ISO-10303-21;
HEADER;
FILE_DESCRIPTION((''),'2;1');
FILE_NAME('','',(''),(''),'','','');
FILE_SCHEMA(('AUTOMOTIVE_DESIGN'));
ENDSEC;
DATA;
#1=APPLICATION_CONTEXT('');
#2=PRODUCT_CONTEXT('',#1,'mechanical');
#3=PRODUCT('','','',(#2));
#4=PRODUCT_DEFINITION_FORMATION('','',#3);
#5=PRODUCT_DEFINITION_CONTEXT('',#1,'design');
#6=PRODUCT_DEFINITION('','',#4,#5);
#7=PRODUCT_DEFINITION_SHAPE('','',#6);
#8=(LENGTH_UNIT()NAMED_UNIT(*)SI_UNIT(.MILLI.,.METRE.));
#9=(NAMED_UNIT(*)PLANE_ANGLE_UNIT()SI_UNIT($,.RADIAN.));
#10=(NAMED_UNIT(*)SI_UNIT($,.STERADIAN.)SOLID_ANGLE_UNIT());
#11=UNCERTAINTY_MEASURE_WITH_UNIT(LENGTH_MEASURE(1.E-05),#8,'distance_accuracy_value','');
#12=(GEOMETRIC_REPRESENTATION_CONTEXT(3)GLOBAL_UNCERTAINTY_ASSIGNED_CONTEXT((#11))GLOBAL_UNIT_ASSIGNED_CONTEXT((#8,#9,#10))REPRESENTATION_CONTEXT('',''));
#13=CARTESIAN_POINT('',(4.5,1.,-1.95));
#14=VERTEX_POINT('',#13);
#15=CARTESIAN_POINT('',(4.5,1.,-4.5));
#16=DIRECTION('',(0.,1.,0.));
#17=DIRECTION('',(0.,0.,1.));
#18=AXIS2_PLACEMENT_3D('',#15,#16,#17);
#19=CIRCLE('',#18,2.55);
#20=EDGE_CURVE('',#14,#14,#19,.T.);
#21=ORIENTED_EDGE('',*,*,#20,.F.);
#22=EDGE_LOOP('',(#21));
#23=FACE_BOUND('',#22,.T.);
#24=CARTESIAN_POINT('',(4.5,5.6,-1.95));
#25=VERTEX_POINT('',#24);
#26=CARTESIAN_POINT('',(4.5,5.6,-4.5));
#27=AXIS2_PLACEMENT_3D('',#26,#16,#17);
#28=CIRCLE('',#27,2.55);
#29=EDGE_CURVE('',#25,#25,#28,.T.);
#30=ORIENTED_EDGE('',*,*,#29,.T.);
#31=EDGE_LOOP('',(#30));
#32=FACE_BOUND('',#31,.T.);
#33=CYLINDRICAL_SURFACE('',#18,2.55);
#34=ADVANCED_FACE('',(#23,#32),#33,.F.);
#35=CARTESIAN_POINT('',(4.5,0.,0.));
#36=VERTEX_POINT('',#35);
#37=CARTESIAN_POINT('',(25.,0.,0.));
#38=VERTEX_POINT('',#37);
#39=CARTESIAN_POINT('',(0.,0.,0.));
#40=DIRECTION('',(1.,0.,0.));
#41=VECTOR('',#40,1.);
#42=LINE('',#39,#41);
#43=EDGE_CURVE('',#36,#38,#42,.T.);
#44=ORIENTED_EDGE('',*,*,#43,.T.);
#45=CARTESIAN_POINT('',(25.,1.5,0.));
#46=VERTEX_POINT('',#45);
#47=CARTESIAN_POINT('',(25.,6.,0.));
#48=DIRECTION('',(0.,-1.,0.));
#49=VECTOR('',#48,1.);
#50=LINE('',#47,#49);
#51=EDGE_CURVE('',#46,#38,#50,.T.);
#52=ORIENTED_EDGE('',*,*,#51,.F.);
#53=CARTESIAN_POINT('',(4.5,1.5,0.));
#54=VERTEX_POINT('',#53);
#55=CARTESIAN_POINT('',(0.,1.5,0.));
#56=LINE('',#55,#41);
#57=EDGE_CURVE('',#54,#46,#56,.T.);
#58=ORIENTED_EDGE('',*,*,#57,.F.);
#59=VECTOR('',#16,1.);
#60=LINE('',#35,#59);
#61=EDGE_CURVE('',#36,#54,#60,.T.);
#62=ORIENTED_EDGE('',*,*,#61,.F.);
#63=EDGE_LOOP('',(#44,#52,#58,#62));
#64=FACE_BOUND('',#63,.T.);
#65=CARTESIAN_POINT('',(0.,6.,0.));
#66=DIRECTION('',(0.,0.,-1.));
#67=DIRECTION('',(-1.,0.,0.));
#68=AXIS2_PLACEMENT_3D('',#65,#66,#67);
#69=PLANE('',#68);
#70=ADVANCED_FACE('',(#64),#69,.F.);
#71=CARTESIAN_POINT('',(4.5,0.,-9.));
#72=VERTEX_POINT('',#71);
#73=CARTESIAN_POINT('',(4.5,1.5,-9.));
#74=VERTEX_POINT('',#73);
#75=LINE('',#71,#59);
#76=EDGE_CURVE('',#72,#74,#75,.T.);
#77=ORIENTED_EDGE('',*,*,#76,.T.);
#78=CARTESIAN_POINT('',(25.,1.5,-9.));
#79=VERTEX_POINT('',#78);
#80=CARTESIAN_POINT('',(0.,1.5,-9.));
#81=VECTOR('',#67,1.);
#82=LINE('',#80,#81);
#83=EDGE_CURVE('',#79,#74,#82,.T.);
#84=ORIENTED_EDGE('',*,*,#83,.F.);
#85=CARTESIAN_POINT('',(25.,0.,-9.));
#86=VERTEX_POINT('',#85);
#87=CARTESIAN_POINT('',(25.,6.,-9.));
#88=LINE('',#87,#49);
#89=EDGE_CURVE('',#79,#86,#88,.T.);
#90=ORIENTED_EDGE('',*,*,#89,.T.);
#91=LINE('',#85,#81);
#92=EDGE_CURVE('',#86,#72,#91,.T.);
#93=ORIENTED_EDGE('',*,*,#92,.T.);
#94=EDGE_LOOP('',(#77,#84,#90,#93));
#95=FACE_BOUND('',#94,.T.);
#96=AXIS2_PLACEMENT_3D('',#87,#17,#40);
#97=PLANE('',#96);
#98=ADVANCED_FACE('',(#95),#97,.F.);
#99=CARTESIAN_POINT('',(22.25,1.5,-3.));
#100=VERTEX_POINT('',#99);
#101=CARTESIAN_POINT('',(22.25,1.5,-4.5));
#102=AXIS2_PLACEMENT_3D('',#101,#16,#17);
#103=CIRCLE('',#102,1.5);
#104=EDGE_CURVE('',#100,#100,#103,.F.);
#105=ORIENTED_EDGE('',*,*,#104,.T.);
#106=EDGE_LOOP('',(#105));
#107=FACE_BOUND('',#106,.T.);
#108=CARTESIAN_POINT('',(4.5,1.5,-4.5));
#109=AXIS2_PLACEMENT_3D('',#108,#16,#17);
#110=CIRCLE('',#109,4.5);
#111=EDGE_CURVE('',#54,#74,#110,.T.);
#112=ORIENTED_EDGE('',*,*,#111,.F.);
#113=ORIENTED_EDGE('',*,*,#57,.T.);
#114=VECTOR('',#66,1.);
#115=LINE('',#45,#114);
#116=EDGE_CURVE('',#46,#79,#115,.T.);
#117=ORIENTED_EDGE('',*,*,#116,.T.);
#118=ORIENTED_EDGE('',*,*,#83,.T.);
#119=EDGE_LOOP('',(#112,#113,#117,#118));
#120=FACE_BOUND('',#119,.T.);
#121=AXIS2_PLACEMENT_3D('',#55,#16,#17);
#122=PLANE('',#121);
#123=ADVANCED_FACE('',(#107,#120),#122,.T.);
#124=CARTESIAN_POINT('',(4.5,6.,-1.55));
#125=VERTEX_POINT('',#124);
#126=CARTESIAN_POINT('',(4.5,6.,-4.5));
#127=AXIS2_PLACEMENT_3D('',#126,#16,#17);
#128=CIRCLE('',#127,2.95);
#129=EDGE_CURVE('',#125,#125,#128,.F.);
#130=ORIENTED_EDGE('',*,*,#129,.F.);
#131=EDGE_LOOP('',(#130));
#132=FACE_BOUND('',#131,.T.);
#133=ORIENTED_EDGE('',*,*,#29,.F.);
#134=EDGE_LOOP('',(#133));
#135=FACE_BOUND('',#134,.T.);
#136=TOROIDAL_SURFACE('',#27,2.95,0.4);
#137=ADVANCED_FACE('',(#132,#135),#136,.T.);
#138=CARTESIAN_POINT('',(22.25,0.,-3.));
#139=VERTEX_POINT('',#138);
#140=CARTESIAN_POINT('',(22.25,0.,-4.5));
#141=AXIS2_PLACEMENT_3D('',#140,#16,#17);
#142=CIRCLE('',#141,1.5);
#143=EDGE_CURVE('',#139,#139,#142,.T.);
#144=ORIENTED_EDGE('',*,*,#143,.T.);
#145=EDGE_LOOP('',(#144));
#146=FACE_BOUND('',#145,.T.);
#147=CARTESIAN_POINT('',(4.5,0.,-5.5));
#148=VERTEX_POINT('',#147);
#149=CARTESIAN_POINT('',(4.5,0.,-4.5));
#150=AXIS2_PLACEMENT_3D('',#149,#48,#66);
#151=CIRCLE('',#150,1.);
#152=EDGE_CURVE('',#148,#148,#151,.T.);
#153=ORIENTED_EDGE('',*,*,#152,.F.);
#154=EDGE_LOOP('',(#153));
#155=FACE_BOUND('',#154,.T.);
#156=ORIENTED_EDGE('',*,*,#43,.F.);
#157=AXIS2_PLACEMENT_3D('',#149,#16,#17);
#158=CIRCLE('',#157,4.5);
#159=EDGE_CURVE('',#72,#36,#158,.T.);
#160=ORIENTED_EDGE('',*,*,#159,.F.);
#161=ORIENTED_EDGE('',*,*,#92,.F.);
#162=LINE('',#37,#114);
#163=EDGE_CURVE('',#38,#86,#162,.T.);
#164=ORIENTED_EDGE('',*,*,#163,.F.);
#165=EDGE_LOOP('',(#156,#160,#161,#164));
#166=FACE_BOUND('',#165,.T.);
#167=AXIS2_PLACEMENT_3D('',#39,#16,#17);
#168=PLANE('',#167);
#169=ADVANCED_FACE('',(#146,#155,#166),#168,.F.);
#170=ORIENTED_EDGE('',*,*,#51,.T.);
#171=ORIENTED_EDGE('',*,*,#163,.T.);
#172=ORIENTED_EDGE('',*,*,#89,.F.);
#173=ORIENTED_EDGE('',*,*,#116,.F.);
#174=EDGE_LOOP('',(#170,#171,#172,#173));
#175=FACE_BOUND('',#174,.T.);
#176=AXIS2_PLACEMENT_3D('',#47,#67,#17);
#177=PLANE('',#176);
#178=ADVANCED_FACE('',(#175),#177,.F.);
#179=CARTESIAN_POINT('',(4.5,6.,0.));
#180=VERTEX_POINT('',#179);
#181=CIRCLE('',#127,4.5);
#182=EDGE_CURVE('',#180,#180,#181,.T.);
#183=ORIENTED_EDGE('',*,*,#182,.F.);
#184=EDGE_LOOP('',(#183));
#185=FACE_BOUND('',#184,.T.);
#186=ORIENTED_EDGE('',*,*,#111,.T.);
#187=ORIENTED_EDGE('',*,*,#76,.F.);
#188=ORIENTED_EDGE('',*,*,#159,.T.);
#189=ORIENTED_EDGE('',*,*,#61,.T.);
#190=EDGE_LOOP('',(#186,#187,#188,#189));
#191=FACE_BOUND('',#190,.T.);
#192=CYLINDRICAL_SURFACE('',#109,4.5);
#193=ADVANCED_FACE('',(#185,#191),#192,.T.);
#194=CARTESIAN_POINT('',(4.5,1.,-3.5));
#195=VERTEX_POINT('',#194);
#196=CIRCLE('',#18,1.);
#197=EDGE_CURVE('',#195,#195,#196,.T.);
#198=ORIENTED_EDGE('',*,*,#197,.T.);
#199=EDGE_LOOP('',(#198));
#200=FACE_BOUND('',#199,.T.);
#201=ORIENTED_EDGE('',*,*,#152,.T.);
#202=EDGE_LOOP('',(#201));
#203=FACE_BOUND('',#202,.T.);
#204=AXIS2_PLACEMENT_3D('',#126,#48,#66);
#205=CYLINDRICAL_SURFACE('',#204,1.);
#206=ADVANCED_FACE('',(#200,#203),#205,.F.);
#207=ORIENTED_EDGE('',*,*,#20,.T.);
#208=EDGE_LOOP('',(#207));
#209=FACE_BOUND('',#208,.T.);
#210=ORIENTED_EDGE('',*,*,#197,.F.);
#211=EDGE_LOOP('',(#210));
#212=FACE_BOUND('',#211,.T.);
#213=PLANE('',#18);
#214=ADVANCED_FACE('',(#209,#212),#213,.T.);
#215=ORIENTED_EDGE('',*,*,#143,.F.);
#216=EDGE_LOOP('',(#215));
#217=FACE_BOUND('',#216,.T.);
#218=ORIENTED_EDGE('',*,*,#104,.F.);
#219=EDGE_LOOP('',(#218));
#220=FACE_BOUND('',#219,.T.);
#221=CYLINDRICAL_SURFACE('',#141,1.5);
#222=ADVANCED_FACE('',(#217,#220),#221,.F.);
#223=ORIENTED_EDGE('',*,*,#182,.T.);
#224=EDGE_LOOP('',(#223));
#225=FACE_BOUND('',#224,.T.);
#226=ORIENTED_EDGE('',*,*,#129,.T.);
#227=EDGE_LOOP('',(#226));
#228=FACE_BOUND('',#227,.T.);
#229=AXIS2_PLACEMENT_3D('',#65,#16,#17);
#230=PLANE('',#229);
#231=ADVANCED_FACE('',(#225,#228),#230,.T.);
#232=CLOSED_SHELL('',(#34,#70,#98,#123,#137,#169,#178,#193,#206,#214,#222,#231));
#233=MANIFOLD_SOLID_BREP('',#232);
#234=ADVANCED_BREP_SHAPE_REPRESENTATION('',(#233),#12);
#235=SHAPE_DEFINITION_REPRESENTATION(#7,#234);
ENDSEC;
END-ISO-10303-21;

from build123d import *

# Parameters (mm, degrees)
SKETCH2_W               = 25
SKETCH2_H               = 9
BOSS_EXTRUDE3_DEPTH     = 6
SKETCH3_R               = 2.55
CUT_EXTRUDE1_DEPTH      = 5
CUT_EXTRUDE2_DEPTH      = 28.239676944
CUT_EXTRUDE2_DEPTH_BACK = 28.239676944
SKETCH4_R               = 1.5
SKETCH5_R               = 1.5
CUT_EXTRUDE3_DEPTH      = 4.5
CUT_EXTRUDE4_DEPTH      = 28.239676944
FILLET2_R               = 0.4
SKETCH8_R               = 1
CUT_EXTRUDE5_DEPTH      = 28.239676944


with BuildPart() as part:
    # Sketch2 → Boss-Extrude3 (new body)
    with BuildSketch(Plane(origin=(0, 0, 0), x_dir=(1, 0, 0), z_dir=(0, 1, 0))):
        with Locations((12.5, 4.5)):
            Rectangle(SKETCH2_W, SKETCH2_H)
    extrude(amount=BOSS_EXTRUDE3_DEPTH)

    # Sketch3 → Cut-Extrude1 (cut)
    with BuildSketch(Plane(origin=(0, 6, 0), x_dir=(1, 0, 0), z_dir=(0, 1, 0))):
        with Locations(Location((4.5, 4.5, 0), (0, 0, 270))):
            Circle(SKETCH3_R)
    extrude(amount=-CUT_EXTRUDE1_DEPTH, mode=Mode.SUBTRACT)

    # Sketch4 → Cut-Extrude2 (cut, two sides: drawn at the far end of the back side and taken through both)
    with BuildSketch(Plane(origin=(0, 6, 0), x_dir=(1, 0, 0), z_dir=(0, 1, 0)).offset(-CUT_EXTRUDE2_DEPTH_BACK)):
        with Locations(Location((22.25, 4.5, 0), (0, 0, 270))):
            Circle(SKETCH4_R)
    extrude(amount=CUT_EXTRUDE2_DEPTH + CUT_EXTRUDE2_DEPTH_BACK, mode=Mode.SUBTRACT)

    # Sketch5 → Cut-Extrude3 (cut)
    with BuildSketch(Plane(origin=(0, 6, 0), x_dir=(1, 0, 0), z_dir=(0, 1, 0))):
        with BuildLine():
            Line((25, 9), (4.5, 9))
            ThreePointArc((4.5, 9), (7.681980515, 7.681980515), (9, 4.5))
            ThreePointArc((9, 4.5), (7.681980515, 1.318019485), (4.5, 0))
            Line((4.5, 0), (25, 0))
            Line((25, 0), (25, 9))
        make_face()
        with Locations(Location((22.25, 4.5, 0), (0, 0, 270))):
            Circle(SKETCH5_R, mode=Mode.SUBTRACT)
    extrude(amount=-CUT_EXTRUDE3_DEPTH, mode=Mode.SUBTRACT)

    # Sketch6 → Cut-Extrude4 (cut, through all)
    with BuildSketch(Plane(origin=(0, 6, 0), x_dir=(1, 0, 0), z_dir=(0, 1, 0))):
        with BuildLine():
            ThreePointArc((0, 4.5), (1.318019485, 7.681980515), (4.5, 9))
            Line((4.5, 9), (0, 9))
            Line((0, 9), (0, 4.5))
        make_face()
        with BuildLine():
            ThreePointArc((4.5, 0), (1.318019485, 1.318019485), (0, 4.5))
            Line((0, 4.5), (0, 0))
            Line((0, 0), (4.5, 0))
        make_face()
    extrude(amount=-CUT_EXTRUDE4_DEPTH, mode=Mode.SUBTRACT)

    # Fillet2
    fillet2_edges = [part.edges().sort_by_distance(p)[0] for p in [
        (4.5, 6, -7.05),
    ]]
    fillet(fillet2_edges, radius=FILLET2_R)

    # Sketch8 → Cut-Extrude5 (cut, through all)
    with BuildSketch(Plane.XZ):
        with Locations(Location((4.5, -4.5, 0), (0, 0, 270))):
            Circle(SKETCH8_R)
    extrude(amount=-CUT_EXTRUDE5_DEPTH, mode=Mode.SUBTRACT)


solid = part.part
